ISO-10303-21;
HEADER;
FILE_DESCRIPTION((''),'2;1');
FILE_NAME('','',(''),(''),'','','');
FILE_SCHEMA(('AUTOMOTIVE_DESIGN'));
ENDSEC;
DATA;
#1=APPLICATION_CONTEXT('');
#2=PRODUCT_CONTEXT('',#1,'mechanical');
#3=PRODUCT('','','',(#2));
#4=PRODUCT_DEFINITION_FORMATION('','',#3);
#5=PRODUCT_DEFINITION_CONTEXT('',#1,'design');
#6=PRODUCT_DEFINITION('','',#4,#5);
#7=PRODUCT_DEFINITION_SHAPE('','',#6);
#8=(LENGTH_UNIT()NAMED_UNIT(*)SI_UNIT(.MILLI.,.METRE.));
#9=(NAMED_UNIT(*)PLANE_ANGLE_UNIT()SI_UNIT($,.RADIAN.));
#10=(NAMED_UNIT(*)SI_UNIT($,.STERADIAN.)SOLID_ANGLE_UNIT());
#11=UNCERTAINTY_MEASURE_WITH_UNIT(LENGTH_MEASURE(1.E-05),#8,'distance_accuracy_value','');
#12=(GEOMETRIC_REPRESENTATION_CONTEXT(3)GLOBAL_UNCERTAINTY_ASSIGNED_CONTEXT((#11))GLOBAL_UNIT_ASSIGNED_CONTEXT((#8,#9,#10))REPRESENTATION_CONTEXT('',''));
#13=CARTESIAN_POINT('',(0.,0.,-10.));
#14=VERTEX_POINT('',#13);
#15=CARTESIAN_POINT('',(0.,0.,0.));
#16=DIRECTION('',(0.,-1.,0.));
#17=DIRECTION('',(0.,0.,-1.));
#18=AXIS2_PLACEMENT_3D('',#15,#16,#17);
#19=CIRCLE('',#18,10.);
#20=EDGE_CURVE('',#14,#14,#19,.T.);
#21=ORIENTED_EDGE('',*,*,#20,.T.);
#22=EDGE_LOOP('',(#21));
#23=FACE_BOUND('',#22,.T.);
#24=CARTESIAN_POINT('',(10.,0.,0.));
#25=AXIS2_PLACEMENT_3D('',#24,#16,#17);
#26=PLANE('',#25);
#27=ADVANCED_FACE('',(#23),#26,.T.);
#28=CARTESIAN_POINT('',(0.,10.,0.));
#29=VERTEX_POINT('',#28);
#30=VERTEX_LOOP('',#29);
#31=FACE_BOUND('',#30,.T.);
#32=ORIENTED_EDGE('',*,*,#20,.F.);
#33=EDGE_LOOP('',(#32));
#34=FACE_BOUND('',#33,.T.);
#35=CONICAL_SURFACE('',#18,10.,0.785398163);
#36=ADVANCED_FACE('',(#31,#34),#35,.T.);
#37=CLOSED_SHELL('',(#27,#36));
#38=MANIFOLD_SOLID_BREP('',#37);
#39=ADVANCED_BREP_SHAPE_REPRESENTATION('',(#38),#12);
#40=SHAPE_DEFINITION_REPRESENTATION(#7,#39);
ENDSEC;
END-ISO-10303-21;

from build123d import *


with BuildPart() as part:
    # Sketch1 → Revolve1 (revolve)
    with BuildSketch(Plane.XY):
        Polygon((0, 0), (0, 10), (10, 0), align=None)
    revolve(axis=Axis((0, 0, 0), (0, 1, 0)))


solid = part.part
